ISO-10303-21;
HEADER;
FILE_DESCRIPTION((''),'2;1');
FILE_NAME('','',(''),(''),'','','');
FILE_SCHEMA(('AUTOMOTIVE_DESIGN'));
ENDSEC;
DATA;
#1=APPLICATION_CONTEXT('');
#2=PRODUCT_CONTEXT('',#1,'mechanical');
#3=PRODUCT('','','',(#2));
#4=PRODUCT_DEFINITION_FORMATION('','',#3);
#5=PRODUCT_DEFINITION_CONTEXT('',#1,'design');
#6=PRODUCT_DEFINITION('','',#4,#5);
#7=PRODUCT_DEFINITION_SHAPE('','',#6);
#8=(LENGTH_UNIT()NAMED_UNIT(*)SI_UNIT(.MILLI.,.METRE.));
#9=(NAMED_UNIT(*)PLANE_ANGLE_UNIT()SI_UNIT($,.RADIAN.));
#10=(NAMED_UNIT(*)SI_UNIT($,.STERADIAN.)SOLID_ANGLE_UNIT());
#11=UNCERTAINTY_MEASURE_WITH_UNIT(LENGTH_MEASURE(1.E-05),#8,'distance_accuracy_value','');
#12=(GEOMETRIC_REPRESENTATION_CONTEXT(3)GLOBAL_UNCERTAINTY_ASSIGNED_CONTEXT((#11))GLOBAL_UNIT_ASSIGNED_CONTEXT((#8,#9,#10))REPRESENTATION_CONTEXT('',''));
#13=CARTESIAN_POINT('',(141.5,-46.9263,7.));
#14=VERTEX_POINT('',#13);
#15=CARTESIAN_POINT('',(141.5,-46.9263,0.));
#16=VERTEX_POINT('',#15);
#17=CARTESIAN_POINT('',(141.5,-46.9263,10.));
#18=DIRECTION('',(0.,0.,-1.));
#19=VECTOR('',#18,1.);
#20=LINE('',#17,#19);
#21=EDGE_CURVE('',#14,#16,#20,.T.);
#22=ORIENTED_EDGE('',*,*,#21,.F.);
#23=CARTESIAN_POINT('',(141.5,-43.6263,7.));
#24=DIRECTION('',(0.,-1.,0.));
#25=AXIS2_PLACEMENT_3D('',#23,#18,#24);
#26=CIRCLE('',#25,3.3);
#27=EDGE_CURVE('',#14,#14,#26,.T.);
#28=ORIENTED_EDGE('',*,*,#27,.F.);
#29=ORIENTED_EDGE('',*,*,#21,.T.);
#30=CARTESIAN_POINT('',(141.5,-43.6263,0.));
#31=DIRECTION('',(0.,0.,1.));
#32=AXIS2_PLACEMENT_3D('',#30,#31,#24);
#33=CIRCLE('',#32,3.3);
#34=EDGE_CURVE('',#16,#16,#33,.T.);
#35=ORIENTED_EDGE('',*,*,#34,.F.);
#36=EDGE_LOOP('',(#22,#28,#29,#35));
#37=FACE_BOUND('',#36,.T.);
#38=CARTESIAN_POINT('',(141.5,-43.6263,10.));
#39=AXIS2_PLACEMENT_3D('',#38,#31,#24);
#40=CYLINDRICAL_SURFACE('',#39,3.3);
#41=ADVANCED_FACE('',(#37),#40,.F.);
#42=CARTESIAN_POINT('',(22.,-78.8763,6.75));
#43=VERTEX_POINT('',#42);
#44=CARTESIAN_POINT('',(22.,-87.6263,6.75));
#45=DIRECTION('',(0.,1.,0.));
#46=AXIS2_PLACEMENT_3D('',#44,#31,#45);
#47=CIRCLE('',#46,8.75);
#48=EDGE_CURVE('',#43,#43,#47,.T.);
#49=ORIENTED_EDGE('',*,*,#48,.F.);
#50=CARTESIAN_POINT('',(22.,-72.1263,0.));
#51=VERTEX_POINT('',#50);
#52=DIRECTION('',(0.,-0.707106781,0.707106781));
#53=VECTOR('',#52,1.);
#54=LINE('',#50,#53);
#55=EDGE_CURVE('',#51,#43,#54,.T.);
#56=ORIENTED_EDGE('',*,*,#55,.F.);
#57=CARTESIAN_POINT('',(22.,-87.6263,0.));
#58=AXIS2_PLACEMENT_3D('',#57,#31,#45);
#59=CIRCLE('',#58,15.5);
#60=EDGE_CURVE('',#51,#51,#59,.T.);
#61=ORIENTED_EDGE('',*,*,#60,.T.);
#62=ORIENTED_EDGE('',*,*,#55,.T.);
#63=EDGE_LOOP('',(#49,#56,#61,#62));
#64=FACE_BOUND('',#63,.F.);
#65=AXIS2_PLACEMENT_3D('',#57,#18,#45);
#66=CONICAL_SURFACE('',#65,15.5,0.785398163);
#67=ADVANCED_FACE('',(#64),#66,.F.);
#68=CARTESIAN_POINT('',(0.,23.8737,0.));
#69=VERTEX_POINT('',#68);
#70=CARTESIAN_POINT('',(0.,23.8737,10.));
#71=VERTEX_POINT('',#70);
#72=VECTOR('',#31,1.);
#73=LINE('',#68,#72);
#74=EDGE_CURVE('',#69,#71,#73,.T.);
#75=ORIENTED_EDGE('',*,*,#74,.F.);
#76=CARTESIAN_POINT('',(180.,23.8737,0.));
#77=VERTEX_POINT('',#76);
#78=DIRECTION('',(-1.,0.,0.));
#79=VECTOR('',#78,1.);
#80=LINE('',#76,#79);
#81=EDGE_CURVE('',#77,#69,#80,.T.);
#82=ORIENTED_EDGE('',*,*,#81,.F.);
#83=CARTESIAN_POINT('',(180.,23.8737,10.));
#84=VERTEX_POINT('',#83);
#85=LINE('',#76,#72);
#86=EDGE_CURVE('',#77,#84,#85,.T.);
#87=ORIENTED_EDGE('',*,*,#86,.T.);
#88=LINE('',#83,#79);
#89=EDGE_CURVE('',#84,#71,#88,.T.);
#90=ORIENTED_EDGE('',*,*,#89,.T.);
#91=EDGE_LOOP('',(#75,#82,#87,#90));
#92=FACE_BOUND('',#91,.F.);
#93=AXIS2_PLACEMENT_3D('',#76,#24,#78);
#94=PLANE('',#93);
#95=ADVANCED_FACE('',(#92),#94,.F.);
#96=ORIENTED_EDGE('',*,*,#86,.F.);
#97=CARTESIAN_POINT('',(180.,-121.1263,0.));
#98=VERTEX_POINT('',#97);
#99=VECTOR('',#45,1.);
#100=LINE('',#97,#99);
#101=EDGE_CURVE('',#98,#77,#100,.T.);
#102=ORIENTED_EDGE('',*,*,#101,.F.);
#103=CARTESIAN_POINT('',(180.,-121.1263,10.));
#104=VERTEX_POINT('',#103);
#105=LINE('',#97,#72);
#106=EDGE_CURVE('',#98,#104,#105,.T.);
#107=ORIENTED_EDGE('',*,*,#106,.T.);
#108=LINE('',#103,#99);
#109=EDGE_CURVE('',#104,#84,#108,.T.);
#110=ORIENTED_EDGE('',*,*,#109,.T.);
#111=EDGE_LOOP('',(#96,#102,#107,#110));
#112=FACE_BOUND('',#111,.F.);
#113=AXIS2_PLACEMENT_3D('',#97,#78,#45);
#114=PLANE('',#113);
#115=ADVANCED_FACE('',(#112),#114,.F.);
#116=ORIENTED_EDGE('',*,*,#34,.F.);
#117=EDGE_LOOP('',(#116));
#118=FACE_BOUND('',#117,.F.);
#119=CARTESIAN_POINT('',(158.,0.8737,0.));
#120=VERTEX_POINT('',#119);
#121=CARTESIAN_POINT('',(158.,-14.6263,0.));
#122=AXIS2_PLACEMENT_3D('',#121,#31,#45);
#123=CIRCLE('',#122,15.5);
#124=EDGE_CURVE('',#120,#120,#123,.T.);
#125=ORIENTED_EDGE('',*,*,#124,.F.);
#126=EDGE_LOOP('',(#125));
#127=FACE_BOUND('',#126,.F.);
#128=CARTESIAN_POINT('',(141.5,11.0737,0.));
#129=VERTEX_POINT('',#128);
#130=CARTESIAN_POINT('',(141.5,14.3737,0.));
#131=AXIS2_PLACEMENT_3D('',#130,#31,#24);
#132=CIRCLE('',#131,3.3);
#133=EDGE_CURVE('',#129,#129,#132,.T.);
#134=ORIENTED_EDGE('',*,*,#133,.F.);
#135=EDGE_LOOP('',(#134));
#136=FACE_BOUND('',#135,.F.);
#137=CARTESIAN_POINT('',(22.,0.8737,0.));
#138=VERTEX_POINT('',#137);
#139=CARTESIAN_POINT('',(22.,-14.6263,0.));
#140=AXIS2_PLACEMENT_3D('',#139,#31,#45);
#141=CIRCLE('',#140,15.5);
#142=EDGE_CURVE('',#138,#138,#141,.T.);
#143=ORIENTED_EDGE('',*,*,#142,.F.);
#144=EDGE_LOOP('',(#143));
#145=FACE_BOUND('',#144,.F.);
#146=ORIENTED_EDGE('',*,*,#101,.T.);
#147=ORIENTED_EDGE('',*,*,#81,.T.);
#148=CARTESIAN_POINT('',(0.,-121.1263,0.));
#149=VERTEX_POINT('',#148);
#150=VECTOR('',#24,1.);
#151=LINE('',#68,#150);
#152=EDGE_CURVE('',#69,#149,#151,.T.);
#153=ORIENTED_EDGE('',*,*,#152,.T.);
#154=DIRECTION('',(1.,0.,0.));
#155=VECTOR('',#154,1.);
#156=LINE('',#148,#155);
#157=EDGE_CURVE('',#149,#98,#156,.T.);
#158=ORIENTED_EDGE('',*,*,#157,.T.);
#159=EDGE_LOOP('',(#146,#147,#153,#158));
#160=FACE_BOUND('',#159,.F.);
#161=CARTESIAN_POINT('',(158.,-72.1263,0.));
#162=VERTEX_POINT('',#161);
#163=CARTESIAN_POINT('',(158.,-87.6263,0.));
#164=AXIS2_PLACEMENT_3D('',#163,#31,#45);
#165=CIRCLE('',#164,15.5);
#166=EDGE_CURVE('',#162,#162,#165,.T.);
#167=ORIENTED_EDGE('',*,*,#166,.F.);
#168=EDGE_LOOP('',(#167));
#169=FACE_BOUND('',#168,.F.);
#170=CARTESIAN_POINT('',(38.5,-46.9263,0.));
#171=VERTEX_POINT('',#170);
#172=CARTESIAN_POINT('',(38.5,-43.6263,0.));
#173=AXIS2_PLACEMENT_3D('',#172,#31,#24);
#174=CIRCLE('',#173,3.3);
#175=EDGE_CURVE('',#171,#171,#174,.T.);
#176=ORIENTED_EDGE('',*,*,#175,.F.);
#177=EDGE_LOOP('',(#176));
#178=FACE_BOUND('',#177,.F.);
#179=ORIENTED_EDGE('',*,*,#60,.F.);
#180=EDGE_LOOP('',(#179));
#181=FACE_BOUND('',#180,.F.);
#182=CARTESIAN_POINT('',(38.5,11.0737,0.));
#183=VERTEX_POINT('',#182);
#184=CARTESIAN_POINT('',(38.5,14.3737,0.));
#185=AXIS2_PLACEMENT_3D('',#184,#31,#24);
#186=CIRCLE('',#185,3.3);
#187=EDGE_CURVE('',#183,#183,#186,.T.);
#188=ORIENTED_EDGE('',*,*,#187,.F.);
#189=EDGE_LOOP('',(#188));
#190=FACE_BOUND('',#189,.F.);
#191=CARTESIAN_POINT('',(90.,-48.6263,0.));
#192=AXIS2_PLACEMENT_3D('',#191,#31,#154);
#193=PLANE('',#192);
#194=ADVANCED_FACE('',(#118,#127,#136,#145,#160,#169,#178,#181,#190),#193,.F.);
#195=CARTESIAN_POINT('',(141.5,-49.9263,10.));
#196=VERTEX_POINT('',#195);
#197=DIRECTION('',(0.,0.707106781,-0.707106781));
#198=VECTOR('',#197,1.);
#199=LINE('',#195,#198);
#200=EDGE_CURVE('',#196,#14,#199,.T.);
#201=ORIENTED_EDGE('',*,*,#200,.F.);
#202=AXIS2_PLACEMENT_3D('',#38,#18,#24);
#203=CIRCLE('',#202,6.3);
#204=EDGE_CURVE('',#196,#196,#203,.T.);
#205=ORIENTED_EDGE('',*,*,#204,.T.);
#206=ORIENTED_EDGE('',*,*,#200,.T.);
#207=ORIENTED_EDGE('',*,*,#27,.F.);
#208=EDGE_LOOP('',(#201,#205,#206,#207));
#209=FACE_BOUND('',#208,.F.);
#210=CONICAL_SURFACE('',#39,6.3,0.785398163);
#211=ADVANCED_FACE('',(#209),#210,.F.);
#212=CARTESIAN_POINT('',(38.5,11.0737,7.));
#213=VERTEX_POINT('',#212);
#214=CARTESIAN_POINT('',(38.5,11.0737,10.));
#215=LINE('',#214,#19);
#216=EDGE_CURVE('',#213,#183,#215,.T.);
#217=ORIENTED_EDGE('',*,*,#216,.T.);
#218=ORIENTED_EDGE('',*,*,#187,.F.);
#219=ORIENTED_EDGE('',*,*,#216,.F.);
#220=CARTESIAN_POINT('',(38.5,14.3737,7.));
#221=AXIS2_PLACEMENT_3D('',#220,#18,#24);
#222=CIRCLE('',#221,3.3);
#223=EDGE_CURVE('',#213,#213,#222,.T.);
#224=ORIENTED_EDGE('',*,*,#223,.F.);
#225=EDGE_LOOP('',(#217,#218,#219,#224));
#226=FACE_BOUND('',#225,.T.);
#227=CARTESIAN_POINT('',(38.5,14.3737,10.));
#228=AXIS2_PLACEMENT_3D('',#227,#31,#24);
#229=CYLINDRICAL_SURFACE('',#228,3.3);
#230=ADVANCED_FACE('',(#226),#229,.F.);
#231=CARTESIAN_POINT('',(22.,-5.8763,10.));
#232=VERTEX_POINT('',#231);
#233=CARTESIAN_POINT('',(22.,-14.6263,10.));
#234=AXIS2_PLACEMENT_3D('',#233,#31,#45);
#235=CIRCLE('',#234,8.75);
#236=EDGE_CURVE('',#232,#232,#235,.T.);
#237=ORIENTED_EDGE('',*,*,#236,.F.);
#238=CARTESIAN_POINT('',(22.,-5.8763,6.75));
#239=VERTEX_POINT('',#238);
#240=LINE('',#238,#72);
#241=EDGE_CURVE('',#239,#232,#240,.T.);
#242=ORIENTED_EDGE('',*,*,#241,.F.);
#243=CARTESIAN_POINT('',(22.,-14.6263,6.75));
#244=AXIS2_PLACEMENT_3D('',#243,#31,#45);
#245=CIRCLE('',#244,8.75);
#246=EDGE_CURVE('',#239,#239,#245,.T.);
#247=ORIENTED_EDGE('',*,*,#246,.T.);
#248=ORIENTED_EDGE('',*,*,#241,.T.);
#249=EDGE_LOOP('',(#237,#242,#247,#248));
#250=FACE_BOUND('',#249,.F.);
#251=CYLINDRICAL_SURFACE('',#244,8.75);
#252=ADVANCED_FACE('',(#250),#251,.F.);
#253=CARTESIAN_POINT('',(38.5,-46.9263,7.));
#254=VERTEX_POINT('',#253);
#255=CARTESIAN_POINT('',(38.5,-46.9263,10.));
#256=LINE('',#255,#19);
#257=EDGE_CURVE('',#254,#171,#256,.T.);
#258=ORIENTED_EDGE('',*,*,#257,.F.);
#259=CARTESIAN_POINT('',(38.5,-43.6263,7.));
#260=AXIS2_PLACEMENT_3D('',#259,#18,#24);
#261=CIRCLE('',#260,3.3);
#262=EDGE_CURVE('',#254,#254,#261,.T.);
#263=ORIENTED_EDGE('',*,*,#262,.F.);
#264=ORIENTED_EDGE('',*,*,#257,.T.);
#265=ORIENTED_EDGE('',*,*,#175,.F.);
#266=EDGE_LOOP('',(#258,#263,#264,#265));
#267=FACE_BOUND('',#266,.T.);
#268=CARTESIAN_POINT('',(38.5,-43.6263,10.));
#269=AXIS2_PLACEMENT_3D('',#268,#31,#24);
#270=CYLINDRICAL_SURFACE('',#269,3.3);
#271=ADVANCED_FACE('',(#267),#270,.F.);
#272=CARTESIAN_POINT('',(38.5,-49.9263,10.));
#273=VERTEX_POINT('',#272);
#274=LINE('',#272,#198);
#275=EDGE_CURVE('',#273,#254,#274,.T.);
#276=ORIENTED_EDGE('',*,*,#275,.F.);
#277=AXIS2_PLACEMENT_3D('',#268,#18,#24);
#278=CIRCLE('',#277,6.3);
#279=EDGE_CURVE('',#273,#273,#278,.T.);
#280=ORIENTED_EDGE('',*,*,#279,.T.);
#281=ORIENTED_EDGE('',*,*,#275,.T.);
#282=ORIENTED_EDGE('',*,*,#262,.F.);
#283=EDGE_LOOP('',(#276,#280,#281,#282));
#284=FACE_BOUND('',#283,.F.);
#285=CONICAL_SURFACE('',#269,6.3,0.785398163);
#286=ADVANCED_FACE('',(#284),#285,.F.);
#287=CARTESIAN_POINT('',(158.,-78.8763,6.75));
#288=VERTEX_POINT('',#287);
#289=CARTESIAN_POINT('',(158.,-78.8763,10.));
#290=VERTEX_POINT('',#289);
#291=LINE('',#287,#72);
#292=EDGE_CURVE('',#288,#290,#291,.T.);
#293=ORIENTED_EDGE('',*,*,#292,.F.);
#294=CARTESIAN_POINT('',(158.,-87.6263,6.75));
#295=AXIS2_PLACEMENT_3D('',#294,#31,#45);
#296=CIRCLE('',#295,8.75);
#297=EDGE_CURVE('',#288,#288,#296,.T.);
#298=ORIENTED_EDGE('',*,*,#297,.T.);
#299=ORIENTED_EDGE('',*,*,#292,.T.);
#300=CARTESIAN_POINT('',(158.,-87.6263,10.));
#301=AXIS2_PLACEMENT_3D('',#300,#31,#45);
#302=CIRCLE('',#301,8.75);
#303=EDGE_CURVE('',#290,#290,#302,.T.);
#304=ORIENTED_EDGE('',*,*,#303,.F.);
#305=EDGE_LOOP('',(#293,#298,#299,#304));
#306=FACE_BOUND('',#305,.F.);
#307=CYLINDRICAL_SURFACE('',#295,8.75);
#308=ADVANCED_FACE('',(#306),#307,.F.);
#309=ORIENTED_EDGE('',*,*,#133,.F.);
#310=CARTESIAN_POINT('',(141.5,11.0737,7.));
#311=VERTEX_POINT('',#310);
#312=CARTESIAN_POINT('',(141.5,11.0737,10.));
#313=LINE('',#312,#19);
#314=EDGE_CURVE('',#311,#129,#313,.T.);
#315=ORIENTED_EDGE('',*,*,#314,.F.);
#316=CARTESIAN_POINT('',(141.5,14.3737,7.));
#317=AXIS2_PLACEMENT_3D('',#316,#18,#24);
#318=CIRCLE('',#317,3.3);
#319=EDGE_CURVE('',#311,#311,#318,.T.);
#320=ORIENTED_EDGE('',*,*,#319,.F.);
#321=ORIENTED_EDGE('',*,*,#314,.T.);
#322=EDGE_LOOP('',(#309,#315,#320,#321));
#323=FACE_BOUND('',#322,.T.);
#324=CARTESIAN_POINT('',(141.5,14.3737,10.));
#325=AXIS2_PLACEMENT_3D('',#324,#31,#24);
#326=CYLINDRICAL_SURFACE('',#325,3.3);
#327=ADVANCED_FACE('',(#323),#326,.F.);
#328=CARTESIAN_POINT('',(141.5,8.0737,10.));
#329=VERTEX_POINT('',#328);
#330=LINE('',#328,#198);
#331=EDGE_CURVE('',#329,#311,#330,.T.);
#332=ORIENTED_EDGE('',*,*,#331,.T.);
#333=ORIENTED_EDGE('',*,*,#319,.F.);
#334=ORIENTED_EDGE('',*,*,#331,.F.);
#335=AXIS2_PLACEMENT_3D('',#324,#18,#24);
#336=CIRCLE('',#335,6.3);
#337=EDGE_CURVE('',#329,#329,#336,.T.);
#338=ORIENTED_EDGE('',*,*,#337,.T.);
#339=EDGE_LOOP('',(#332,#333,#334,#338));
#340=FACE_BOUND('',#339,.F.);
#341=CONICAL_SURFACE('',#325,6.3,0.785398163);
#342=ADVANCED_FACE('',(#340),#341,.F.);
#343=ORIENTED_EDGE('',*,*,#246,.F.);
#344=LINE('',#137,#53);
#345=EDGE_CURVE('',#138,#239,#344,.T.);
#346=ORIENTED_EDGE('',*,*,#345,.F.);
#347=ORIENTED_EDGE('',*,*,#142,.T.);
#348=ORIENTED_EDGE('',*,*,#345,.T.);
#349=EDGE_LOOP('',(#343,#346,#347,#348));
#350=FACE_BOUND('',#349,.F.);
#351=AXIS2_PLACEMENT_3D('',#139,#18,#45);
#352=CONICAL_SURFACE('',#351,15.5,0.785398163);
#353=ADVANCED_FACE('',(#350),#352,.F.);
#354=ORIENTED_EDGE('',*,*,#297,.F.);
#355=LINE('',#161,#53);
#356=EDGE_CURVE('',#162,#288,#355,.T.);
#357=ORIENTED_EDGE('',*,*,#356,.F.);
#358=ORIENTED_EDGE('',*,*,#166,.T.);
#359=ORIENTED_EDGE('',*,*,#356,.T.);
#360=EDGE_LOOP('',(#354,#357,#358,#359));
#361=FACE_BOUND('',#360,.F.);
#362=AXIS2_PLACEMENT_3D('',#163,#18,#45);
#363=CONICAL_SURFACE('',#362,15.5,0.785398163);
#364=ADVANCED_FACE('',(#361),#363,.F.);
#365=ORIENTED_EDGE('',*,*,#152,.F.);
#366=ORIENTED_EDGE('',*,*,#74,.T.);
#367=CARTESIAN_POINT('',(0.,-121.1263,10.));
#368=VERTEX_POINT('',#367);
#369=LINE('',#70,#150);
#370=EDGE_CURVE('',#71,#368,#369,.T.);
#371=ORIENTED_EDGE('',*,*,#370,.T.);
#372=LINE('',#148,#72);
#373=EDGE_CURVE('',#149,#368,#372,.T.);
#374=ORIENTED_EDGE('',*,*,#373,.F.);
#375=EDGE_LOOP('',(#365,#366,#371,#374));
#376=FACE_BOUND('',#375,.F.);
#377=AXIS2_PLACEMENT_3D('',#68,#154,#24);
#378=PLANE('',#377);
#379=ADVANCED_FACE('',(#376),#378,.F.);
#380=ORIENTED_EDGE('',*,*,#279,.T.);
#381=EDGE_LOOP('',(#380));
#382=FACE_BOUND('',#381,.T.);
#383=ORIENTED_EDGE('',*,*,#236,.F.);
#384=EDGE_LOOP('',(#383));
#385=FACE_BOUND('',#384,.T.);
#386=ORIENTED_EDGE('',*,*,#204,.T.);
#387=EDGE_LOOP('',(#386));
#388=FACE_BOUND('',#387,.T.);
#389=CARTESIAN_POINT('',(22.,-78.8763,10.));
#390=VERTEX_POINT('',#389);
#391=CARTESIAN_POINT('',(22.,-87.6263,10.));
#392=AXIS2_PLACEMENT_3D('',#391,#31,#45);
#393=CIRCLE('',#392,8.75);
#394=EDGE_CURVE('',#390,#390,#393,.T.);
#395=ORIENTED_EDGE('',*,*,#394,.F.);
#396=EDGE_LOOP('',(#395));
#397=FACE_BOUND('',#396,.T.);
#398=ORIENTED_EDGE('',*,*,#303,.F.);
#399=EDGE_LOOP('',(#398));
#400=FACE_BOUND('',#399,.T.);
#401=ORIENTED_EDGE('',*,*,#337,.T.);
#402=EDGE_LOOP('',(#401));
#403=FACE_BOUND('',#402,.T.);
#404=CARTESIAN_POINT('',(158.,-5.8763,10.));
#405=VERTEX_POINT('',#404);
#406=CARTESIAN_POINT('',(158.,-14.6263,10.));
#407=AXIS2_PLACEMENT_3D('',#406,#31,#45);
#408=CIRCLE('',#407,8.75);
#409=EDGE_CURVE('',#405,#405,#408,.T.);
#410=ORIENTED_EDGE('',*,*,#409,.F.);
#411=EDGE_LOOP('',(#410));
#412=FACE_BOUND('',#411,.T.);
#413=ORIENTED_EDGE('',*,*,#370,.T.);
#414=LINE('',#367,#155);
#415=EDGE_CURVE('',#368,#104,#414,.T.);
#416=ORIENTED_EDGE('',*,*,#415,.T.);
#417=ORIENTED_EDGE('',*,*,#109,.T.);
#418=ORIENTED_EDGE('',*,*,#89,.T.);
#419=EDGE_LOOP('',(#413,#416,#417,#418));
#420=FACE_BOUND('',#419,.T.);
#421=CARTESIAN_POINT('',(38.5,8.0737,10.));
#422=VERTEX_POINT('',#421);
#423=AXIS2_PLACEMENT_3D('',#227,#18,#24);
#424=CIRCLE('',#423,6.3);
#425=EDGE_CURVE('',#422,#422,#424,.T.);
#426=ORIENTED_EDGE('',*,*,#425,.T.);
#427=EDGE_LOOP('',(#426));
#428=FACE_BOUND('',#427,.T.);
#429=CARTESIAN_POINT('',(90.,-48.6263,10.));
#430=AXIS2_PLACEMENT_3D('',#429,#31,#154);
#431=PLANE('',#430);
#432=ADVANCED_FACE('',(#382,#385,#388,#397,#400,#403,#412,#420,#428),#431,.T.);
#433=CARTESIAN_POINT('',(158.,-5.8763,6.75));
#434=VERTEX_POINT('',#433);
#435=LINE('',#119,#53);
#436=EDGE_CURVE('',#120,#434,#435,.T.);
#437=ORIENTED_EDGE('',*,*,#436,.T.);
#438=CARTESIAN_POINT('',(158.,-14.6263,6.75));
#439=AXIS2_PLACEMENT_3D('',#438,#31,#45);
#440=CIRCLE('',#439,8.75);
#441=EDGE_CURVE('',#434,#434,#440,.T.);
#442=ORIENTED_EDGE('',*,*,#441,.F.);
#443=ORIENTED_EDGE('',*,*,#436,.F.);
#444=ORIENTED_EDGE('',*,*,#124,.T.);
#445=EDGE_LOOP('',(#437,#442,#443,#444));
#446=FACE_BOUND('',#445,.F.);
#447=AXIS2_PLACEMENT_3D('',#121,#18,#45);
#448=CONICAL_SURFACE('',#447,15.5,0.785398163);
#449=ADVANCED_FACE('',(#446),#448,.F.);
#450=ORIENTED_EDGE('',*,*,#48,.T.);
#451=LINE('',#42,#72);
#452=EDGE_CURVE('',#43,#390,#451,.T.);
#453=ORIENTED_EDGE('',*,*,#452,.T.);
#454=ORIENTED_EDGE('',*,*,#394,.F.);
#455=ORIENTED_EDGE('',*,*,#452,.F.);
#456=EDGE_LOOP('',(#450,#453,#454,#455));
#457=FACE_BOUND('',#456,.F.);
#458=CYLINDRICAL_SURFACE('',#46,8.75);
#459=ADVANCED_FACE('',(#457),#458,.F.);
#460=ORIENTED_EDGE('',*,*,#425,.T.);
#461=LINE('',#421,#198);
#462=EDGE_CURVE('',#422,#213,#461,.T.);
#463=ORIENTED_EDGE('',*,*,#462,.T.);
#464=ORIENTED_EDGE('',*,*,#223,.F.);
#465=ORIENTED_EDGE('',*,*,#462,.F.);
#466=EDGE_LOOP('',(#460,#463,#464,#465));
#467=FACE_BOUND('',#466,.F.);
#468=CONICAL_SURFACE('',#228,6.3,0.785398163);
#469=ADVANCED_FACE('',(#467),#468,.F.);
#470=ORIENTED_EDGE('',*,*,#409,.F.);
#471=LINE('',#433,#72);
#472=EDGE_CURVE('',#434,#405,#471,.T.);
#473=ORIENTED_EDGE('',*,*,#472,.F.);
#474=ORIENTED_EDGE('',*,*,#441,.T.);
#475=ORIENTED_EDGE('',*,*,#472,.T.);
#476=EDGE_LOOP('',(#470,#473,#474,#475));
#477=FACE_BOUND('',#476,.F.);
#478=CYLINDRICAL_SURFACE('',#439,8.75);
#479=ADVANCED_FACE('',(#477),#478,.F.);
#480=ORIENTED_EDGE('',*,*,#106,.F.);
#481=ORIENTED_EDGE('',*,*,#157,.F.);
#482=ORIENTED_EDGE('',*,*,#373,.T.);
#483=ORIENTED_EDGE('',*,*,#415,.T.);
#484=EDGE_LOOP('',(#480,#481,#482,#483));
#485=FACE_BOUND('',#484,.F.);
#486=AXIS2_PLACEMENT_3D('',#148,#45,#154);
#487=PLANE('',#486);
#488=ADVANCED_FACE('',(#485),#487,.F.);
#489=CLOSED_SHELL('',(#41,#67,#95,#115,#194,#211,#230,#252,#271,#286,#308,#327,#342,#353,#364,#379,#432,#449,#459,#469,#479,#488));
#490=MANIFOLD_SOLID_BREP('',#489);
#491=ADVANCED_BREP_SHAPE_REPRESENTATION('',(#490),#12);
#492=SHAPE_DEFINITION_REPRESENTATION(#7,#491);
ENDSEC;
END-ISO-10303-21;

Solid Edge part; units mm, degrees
sketch "Sketch1" plane through (0, 0, 0) normal (0, 0, 1) x (1, 0, 0)
  line L0 (0, -121.1263) -> (180, -121.1263)
  line L1 (180, -121.1263) -> (180, 23.8737)
  line L2 (180, 23.8737) -> (0, 23.8737)
  line L3 (0, 23.8737) -> (0, -121.1263)
  dimension "D1" = 180
  dimension "D2" = 145
extrude "Protrusion1" add sketch "Sketch1" along normal blind 10
hole "Hole_3" at (141.5, 14.3737, 10) direction (0, 0, -1) diameter 6.6 end through all countersink diameter 12.6 countersink angle 90
hole "Hole1" at (141.5, -43.6263, 10) direction (0, 0, -1) diameter 6.6 end through all countersink diameter 12.6 countersink angle 90
hole "Hole2" at (38.5, -43.6263, 10) direction (0, 0, -1) diameter 6.6 end through all countersink diameter 12.6 countersink angle 90
hole "Hole3" at (38.5, 14.3737, 10) direction (0, 0, -1) diameter 6.6 end through all countersink diameter 12.6 countersink angle 90
hole "Hole_7" at (22, -14.6263, 0) direction (0, 0, 1) diameter 17.5 depth 50.8 countersink diameter 31 countersink angle 90
hole "Hole4" at (22, -87.6263, 0) direction (0, 0, 1) diameter 17.5 depth 50.8 countersink diameter 31 countersink angle 90
hole "Hole5" at (158, -87.6263, 0) direction (0, 0, 1) diameter 17.5 depth 50.8 countersink diameter 31 countersink angle 90
hole "Hole6" at (158, -14.6263, 0) direction (0, 0, 1) diameter 17.5 depth 50.8 countersink diameter 31 countersink angle 90
properties material "Aluminum, 6061-T6"
